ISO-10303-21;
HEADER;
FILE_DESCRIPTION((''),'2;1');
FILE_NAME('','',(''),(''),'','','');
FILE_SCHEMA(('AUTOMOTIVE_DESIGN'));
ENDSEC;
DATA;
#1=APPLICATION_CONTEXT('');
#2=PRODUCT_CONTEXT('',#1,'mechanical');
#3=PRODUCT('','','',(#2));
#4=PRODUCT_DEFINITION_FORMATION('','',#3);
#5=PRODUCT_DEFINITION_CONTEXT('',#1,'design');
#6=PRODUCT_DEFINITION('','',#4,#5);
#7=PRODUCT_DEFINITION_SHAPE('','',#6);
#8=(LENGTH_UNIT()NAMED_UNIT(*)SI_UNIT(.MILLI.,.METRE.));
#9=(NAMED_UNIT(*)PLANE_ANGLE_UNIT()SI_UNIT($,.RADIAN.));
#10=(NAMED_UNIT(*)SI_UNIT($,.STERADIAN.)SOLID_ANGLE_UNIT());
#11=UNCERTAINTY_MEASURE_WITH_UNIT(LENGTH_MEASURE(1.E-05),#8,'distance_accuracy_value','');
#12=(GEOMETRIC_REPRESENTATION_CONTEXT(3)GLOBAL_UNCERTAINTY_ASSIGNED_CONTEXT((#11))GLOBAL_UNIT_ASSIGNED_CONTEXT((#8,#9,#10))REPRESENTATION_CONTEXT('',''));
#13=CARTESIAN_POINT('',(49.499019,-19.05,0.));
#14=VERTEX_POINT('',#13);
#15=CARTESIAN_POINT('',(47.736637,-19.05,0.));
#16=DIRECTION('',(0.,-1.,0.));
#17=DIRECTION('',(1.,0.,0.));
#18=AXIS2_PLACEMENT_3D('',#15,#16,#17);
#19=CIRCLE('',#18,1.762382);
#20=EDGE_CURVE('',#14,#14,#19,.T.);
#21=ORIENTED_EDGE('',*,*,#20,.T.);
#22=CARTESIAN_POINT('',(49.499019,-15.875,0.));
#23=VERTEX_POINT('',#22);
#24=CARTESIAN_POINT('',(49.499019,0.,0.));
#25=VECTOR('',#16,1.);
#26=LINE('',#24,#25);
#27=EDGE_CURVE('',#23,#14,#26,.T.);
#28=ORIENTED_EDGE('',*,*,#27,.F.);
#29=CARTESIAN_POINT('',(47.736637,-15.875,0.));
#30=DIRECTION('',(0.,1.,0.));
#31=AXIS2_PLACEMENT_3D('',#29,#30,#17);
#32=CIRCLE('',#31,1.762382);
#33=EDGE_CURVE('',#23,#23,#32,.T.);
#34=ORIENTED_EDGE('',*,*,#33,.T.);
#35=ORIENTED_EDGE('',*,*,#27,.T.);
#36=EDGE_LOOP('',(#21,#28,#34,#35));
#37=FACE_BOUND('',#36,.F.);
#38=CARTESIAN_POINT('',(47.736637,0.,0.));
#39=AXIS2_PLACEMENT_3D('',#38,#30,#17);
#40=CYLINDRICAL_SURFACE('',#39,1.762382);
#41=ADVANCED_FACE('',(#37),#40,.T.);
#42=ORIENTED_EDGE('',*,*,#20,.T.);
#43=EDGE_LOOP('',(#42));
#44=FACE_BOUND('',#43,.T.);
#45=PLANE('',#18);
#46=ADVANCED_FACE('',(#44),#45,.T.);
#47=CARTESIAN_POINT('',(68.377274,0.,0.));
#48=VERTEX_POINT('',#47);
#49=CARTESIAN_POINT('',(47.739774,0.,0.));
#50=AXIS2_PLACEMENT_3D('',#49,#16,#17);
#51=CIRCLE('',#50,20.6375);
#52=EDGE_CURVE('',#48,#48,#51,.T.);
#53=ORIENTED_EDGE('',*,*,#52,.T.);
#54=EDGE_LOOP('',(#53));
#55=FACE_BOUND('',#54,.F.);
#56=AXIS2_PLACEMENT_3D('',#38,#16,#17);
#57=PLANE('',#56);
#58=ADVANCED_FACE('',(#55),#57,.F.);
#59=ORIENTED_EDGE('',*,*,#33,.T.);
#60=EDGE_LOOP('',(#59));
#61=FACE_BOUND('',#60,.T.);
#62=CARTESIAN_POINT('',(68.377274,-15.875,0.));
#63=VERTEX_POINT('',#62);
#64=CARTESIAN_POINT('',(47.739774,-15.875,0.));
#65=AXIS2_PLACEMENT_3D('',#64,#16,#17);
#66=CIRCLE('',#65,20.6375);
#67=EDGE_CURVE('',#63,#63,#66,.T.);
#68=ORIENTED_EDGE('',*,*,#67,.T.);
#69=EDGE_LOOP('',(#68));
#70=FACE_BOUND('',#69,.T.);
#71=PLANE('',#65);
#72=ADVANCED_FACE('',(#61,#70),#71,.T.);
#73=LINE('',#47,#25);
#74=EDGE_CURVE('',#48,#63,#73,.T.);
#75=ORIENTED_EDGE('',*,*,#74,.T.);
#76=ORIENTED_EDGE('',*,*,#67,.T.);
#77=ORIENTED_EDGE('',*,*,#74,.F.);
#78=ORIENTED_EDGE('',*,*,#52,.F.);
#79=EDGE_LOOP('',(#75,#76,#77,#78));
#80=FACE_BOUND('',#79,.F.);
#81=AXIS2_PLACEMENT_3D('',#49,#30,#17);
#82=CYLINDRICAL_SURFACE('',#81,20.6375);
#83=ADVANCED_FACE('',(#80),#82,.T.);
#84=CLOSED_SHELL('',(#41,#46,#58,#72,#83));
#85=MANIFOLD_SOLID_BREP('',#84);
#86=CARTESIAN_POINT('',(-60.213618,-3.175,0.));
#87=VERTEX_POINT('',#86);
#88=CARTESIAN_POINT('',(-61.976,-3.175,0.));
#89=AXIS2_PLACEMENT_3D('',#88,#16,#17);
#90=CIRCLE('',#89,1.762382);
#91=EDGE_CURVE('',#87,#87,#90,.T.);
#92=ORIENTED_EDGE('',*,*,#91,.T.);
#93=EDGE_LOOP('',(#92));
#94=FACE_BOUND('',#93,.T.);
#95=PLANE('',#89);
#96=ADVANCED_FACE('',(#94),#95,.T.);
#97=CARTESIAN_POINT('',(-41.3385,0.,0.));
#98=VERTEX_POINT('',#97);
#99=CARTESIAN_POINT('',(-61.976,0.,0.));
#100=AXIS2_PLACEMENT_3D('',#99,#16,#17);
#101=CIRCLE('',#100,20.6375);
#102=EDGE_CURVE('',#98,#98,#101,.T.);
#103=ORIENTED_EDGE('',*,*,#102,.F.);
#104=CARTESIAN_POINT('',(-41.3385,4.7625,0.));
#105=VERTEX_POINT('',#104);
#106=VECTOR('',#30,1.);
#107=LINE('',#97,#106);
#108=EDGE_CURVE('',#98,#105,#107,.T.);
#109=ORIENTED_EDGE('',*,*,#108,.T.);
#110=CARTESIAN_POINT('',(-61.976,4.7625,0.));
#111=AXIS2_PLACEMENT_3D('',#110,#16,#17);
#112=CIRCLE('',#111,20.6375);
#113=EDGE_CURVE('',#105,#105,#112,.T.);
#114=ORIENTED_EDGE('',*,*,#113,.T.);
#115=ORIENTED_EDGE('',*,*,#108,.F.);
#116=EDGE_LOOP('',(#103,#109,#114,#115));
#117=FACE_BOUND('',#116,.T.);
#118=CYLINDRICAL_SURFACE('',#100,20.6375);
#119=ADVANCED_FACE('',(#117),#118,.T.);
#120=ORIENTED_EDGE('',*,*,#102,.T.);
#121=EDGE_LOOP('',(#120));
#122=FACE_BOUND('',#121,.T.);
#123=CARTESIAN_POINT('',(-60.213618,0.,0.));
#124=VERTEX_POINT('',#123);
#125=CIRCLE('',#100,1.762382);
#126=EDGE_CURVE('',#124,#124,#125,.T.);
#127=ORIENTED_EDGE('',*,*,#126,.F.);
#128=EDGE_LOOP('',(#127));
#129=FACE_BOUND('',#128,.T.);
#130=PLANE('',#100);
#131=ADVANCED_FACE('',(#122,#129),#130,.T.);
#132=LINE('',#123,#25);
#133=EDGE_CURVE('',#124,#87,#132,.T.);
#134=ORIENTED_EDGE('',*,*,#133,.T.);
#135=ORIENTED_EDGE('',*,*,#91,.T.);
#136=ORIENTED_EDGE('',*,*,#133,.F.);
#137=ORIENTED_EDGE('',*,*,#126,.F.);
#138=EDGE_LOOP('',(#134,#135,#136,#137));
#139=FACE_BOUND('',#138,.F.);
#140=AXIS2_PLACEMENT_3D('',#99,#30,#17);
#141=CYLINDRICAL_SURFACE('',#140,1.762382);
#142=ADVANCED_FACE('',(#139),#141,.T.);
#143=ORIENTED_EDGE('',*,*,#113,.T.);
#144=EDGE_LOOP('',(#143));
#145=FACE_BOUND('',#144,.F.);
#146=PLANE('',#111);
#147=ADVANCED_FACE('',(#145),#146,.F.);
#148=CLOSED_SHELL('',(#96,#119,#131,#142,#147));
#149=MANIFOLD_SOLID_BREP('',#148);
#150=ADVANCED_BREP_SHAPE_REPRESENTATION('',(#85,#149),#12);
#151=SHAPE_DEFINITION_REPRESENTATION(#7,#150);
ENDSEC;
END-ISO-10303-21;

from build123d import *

# Parameters (mm, degrees)
F0_R     = 20.6375
F1_DEPTH = 4.7625
F2_R     = 1.762382
F3_DEPTH = 3.175
F4_R     = 20.6375
F6_DEPTH = 15.875
F5_R     = 1.762382
F7_DEPTH = 19.05


with BuildPart() as f1:
    # F0 (on Front) → F1 (new body)
    with BuildSketch(Plane.XZ):
        with Locations((-61.976, 0)):
            Circle(F0_R)
    extrude(amount=-F1_DEPTH)

    # F2 (on face) → F3 (join)
    with BuildSketch(Plane.XZ):
        with Locations((-61.976, 0)):
            Circle(F2_R)
    extrude(amount=F3_DEPTH)


with BuildPart() as f6:
    # F4 (on Front) → F6 (new body)
    with BuildSketch(Plane.XZ):
        with Locations((47.739774, 0)):
            Circle(F4_R)
    extrude(amount=F6_DEPTH)

    # F5 (on Front) → F7 (join)
    with BuildSketch(Plane.XZ):
        with Locations((47.736637, 0)):
            Circle(F5_R)
    extrude(amount=F7_DEPTH)


solid = Compound([f1.part, f6.part])
